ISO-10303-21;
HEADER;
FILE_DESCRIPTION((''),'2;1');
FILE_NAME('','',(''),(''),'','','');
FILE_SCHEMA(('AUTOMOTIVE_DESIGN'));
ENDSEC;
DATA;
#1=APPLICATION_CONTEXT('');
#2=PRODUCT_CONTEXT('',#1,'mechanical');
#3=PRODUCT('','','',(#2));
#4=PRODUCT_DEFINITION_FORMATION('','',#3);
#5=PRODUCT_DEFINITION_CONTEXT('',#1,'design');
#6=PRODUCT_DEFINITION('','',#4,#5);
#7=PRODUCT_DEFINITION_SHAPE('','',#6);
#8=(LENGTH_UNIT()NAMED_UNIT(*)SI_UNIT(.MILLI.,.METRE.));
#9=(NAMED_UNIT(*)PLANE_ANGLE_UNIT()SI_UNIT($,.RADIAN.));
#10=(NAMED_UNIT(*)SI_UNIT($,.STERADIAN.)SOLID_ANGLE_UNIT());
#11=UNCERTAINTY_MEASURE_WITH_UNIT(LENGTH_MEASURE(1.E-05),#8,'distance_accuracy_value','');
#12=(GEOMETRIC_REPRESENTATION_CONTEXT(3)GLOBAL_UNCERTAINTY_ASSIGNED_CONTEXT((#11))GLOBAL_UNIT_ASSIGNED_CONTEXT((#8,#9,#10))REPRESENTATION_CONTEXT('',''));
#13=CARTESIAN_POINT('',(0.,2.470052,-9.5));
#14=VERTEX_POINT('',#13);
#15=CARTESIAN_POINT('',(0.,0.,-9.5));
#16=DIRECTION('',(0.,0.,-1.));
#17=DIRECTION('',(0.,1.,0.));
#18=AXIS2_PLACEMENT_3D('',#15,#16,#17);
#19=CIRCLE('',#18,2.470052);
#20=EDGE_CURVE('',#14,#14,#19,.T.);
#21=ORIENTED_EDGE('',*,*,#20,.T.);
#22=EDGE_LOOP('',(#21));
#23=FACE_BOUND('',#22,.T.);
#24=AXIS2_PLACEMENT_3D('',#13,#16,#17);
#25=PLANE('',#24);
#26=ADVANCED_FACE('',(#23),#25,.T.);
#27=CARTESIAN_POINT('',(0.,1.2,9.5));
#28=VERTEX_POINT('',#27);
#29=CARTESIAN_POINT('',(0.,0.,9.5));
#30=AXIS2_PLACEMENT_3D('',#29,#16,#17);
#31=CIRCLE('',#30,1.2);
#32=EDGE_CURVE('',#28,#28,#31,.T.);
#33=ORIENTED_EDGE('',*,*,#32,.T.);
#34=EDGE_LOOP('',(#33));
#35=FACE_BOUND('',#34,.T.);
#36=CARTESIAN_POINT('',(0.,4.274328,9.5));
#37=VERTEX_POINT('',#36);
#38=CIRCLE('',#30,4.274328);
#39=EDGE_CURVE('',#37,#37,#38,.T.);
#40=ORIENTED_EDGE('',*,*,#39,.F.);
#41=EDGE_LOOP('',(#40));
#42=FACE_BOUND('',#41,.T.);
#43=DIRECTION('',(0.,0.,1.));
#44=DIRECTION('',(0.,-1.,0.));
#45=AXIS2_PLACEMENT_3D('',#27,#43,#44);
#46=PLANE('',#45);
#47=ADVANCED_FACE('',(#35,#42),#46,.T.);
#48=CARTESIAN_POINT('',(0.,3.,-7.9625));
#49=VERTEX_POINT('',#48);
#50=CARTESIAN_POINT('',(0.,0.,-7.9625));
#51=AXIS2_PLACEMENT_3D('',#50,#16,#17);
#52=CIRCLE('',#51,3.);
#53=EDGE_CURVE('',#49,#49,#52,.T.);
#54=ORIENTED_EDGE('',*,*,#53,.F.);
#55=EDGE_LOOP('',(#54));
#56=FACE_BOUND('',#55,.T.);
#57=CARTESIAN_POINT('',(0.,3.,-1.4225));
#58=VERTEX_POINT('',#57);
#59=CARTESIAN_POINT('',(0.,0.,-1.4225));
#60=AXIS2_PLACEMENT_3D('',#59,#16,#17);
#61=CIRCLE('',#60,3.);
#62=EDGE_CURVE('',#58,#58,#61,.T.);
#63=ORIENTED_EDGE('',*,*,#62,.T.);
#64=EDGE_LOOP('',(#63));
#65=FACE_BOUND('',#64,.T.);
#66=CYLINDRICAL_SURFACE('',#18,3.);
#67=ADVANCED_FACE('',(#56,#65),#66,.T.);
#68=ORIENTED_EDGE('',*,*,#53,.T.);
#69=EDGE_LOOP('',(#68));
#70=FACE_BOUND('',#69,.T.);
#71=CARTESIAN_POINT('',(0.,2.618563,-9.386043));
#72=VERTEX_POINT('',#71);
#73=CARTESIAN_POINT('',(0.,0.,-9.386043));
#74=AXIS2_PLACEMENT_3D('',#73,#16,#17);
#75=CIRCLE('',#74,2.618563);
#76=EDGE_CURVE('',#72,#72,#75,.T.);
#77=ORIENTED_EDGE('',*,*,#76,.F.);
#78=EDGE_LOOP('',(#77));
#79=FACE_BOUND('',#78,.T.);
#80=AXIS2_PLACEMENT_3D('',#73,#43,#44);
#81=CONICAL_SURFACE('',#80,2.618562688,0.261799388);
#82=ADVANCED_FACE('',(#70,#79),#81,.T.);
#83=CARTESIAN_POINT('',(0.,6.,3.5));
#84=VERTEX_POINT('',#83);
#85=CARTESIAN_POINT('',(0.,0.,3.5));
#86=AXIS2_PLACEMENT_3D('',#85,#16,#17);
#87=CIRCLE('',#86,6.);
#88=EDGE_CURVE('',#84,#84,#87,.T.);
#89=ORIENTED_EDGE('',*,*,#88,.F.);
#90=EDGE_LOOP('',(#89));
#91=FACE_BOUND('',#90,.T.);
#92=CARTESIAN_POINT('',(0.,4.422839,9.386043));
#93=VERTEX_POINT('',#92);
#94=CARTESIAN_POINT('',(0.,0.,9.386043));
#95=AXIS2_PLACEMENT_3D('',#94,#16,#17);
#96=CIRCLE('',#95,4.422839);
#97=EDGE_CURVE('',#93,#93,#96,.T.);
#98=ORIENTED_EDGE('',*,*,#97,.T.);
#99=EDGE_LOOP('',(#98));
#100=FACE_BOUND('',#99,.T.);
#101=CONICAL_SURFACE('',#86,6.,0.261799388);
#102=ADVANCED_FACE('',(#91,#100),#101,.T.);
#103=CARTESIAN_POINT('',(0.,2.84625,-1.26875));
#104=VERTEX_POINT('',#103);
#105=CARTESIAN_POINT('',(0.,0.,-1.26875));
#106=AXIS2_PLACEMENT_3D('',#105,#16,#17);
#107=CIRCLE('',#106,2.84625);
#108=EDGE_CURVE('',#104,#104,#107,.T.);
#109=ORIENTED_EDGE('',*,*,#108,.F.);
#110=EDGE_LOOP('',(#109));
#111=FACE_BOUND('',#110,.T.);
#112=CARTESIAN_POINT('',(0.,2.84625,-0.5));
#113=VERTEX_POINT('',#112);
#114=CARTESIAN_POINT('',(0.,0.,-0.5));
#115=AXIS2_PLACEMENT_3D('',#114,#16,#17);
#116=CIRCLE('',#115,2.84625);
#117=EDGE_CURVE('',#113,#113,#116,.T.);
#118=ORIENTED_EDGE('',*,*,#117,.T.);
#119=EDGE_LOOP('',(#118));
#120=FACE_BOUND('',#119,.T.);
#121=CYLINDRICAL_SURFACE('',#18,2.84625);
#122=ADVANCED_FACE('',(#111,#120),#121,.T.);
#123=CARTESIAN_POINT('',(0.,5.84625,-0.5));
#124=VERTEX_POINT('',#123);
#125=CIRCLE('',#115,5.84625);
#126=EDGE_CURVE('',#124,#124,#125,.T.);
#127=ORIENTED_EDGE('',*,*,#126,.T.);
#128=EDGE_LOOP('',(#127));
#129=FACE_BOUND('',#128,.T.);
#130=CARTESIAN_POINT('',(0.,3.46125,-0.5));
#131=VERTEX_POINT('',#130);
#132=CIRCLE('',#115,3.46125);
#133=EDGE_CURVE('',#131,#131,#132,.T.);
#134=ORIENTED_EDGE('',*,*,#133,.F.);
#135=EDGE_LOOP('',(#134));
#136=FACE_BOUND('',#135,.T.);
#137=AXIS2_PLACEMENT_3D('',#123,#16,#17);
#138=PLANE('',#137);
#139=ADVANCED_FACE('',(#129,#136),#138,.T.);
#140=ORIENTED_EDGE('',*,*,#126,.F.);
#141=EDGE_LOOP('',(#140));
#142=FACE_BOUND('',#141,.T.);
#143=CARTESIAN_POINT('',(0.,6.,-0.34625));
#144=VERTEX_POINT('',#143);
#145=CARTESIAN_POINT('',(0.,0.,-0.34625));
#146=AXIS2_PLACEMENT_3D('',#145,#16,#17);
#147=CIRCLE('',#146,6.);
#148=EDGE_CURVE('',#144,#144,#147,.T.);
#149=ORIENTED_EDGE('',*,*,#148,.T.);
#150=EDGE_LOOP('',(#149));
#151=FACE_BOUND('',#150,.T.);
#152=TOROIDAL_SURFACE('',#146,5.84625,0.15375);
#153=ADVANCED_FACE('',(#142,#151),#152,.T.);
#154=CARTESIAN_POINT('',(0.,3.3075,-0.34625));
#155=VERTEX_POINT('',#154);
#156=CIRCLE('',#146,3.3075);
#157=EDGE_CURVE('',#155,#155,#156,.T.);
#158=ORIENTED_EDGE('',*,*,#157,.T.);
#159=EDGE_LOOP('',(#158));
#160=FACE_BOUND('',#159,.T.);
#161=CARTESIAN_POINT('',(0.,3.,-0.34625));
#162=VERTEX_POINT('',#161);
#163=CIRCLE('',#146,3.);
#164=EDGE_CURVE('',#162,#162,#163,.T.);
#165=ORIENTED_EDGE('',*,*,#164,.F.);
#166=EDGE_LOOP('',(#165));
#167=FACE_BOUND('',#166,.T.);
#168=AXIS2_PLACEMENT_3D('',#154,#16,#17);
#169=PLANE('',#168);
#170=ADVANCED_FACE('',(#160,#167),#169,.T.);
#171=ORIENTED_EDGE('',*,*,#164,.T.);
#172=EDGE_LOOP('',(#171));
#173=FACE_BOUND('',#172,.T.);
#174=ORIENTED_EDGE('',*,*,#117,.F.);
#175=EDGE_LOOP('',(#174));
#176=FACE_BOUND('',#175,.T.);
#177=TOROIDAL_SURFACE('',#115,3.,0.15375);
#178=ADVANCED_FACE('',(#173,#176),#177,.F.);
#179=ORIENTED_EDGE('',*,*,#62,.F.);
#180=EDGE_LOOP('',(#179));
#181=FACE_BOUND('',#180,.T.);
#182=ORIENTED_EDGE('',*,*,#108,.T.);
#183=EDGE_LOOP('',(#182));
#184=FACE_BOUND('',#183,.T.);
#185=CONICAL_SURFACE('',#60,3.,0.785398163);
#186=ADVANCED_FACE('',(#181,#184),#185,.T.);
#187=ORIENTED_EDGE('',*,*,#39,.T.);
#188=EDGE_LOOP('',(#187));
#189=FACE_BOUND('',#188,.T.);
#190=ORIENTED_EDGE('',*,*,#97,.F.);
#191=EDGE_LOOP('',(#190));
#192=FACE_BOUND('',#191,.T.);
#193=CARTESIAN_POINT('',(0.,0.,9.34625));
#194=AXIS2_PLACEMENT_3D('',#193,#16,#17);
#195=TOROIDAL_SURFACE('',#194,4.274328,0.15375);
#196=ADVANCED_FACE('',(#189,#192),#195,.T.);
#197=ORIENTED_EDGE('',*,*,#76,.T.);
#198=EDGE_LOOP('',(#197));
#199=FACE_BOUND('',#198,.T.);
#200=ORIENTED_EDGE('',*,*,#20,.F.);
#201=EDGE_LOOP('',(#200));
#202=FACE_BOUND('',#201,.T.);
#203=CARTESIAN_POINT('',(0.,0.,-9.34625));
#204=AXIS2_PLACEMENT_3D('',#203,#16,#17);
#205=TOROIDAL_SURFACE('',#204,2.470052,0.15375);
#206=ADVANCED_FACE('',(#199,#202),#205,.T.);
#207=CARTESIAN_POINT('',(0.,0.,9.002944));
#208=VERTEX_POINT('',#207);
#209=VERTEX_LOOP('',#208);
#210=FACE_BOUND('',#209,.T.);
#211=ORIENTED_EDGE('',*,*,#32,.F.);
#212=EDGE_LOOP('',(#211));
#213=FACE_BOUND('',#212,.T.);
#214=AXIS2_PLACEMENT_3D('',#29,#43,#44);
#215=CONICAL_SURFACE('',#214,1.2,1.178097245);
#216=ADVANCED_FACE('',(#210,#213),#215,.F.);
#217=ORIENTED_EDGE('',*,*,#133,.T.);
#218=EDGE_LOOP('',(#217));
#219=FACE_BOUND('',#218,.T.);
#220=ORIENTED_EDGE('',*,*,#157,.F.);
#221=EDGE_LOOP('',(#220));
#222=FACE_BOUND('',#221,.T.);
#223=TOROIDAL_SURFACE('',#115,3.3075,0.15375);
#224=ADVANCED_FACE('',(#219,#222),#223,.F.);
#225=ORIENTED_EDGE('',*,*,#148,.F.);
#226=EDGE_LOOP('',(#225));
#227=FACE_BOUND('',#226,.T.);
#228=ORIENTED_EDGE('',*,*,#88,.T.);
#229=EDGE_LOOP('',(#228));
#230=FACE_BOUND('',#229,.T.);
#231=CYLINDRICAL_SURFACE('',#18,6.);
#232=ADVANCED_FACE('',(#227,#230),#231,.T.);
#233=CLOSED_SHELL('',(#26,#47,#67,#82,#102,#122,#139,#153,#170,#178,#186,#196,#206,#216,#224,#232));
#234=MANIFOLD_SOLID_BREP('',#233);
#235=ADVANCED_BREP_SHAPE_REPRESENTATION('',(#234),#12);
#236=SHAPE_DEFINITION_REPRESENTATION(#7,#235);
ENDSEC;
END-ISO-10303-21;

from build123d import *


with BuildPart() as part:
    # Sketch1 → Revolve1 (revolve)
    with BuildSketch(Plane(origin=(0, 0, 0), x_dir=(0, 0, -1), z_dir=(1, 0, 0))):
        with BuildLine():
            Line((-9.5, 1.2), (-9.5, 4.274328321))
            ThreePointArc((-9.5, 4.274328321), (-9.468228076, 4.367925391), (-9.386043428, 4.422839417))
            Line((-9.386043428, 4.422839417), (-3.5, 6))
            Line((-3.5, 6), (0.34625, 6))
            ThreePointArc((0.34625, 6), (0.454967668, 5.954967668), (0.5, 5.84625))
            Line((0.5, 5.84625), (0.5, 3.46125))
            ThreePointArc((0.5, 3.46125), (0.391282332, 3.416217668), (0.34625, 3.3075))
            Line((0.34625, 3.3075), (0.34625, 3))
            ThreePointArc((0.34625, 3), (0.391282332, 2.891282332), (0.5, 2.84625))
            Line((0.5, 2.84625), (1.26875, 2.84625))
            Line((1.26875, 2.84625), (1.4225, 3))
            Line((1.4225, 3), (7.9625, 3))
            Line((7.9625, 3), (9.386043428, 2.618562688))
            ThreePointArc((9.386043428, 2.618562688), (9.468228076, 2.563648662), (9.5, 2.470051592))
            Line((9.5, 2.470051592), (9.5, 0))
            Line((9.5, 0), (-9.002943725, 0))
            Line((-9.002943725, 0), (-9.5, 1.2))
        make_face()
    revolve(axis=Axis((0, 0, -9.5), (0, 0, 1)))


solid = part.part
